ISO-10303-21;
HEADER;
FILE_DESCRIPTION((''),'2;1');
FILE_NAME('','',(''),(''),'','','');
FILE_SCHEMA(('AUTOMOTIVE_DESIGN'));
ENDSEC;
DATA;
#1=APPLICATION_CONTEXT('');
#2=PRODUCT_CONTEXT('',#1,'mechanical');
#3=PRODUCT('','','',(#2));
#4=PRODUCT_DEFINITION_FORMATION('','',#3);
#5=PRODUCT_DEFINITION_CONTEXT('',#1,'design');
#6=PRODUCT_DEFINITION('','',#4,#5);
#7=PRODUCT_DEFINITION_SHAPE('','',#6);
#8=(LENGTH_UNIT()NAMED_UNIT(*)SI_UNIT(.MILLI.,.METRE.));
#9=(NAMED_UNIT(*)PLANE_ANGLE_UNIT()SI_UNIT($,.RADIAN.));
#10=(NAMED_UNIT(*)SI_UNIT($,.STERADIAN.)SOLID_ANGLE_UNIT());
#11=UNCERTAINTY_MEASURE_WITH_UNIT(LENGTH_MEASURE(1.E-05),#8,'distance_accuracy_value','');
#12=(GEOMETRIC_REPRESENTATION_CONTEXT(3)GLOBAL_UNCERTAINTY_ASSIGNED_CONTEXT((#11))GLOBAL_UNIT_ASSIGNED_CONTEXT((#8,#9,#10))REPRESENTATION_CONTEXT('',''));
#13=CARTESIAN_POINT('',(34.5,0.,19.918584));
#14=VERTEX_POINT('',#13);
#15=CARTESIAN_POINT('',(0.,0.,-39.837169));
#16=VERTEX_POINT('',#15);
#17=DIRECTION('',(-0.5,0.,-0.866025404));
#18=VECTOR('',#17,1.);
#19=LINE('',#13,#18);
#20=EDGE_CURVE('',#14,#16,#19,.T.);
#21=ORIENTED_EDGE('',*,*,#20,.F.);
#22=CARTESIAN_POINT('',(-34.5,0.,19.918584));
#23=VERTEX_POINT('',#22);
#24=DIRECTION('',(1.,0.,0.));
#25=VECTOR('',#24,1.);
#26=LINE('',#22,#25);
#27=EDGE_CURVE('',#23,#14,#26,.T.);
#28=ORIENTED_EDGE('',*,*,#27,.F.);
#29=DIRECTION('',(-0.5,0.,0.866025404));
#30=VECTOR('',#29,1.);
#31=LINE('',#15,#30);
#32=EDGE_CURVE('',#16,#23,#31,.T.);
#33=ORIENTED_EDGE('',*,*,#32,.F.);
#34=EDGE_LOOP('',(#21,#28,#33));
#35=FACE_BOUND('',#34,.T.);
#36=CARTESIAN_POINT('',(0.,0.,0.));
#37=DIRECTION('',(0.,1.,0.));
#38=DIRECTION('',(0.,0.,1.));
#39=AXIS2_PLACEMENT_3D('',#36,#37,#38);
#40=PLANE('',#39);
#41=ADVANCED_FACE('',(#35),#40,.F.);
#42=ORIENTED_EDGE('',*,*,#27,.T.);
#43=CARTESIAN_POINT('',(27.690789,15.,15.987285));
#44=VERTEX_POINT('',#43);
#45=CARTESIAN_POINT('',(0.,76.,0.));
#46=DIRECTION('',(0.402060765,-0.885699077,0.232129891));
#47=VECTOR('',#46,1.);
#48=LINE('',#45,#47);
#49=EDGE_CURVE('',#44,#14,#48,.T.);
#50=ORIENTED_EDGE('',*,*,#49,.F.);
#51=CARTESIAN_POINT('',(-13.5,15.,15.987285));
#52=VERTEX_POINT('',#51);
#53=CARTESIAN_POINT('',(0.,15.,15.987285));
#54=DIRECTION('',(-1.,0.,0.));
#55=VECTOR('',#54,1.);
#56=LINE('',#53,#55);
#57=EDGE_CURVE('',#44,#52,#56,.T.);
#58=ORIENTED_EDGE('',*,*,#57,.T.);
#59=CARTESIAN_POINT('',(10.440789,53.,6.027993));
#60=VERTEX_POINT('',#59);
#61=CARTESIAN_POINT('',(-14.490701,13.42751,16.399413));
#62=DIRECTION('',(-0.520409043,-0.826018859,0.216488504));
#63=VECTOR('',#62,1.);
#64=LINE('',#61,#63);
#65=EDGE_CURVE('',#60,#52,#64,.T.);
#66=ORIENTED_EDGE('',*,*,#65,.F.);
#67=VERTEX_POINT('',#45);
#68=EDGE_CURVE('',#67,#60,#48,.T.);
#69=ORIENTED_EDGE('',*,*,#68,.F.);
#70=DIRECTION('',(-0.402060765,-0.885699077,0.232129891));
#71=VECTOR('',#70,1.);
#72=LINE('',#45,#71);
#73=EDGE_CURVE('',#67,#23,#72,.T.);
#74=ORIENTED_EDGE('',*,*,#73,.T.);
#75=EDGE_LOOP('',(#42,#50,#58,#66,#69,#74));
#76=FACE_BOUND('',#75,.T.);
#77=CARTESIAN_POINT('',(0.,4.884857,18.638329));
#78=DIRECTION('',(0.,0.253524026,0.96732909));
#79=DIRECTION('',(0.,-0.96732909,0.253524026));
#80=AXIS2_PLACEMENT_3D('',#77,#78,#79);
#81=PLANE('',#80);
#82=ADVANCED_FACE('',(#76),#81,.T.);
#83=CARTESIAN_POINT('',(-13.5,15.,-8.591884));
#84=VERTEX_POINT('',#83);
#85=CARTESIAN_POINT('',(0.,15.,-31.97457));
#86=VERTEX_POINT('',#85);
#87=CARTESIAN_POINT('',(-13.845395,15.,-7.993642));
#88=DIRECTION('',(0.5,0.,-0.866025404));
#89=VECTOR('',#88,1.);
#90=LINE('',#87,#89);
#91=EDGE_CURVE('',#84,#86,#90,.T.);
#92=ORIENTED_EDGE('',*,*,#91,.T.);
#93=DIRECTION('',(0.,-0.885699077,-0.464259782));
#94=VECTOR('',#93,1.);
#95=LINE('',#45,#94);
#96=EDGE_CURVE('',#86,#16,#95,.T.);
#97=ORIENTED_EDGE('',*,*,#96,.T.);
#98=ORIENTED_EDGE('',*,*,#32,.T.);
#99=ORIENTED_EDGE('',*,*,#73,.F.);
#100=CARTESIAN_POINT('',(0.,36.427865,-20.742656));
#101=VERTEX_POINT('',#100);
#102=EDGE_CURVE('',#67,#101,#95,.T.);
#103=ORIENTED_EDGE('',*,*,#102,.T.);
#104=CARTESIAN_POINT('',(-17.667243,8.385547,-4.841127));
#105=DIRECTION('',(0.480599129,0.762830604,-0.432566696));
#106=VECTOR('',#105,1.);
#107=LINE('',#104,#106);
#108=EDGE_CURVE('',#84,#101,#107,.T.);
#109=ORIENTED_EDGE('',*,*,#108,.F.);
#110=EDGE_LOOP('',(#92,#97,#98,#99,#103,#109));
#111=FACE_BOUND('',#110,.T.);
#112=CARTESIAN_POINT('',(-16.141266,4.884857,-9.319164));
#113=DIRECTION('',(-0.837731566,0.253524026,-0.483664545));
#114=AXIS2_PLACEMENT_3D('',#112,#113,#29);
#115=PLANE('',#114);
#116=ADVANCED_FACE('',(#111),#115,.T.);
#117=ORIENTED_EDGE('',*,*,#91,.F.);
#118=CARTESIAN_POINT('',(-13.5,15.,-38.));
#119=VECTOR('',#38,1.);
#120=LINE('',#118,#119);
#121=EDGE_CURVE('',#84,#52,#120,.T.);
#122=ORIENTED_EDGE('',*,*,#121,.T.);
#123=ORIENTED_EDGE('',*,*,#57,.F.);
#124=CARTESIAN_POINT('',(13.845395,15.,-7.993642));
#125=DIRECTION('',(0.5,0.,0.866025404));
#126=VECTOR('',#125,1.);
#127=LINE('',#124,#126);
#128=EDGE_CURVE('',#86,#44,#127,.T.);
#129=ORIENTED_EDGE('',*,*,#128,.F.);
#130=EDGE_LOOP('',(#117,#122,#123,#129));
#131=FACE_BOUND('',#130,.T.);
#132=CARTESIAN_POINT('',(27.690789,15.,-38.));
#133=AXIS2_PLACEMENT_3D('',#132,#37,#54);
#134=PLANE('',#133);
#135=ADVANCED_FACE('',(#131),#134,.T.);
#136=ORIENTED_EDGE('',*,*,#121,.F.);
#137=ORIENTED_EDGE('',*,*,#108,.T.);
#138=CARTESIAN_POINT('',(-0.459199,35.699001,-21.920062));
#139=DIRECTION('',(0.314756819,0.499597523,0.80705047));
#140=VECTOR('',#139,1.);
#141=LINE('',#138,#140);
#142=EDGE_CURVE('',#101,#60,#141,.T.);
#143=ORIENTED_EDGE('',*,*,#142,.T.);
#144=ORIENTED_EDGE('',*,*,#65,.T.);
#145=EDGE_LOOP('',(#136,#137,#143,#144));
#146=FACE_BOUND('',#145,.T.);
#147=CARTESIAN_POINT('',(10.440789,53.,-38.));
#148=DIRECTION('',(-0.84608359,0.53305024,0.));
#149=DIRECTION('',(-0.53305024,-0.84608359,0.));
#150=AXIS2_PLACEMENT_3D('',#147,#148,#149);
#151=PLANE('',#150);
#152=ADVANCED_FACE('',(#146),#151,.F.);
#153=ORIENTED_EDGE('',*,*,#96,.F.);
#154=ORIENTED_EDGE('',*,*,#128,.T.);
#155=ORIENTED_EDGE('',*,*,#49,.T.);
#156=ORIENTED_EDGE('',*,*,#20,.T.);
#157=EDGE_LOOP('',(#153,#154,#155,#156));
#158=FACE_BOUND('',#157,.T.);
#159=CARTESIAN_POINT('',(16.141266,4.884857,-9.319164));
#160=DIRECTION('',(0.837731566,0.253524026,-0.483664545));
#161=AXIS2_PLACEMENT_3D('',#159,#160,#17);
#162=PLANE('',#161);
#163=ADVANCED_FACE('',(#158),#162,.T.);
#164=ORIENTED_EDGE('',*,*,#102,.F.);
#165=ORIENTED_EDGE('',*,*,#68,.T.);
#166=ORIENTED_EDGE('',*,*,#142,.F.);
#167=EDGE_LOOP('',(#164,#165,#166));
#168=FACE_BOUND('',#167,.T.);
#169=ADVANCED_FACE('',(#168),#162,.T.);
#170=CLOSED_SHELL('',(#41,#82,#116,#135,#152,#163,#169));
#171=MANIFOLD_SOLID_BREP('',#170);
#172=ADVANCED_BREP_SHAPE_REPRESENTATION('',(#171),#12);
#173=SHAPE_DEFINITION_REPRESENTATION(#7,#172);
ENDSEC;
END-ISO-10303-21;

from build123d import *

# Parameters (mm, degrees)
CUT_EXTRUDE_2_DEPTH = 38


with BuildPart() as part:
    # 草图1 → 放样3 section 0
    with BuildSketch(Plane(origin=(0, 0, 0), x_dir=(1, 0, 0), z_dir=(0, 1, 0)), mode=Mode.PRIVATE) as loft_3_s0:
        Polygon((0, 39.837168574), (-34.5, -19.918584287), (34.5, -19.918584287), align=None)
    loft([Vertex(0, 76, 0), loft_3_s0.sketch])

    # 草图11 → 切除-拉伸2 (cut, symmetric)
    with BuildSketch(Plane.XY):
        Polygon((10.440789474, 53), (27.690789474, 15), (-13.5, 15), align=None)
    extrude(amount=CUT_EXTRUDE_2_DEPTH, both=True, mode=Mode.SUBTRACT)


solid = part.part
